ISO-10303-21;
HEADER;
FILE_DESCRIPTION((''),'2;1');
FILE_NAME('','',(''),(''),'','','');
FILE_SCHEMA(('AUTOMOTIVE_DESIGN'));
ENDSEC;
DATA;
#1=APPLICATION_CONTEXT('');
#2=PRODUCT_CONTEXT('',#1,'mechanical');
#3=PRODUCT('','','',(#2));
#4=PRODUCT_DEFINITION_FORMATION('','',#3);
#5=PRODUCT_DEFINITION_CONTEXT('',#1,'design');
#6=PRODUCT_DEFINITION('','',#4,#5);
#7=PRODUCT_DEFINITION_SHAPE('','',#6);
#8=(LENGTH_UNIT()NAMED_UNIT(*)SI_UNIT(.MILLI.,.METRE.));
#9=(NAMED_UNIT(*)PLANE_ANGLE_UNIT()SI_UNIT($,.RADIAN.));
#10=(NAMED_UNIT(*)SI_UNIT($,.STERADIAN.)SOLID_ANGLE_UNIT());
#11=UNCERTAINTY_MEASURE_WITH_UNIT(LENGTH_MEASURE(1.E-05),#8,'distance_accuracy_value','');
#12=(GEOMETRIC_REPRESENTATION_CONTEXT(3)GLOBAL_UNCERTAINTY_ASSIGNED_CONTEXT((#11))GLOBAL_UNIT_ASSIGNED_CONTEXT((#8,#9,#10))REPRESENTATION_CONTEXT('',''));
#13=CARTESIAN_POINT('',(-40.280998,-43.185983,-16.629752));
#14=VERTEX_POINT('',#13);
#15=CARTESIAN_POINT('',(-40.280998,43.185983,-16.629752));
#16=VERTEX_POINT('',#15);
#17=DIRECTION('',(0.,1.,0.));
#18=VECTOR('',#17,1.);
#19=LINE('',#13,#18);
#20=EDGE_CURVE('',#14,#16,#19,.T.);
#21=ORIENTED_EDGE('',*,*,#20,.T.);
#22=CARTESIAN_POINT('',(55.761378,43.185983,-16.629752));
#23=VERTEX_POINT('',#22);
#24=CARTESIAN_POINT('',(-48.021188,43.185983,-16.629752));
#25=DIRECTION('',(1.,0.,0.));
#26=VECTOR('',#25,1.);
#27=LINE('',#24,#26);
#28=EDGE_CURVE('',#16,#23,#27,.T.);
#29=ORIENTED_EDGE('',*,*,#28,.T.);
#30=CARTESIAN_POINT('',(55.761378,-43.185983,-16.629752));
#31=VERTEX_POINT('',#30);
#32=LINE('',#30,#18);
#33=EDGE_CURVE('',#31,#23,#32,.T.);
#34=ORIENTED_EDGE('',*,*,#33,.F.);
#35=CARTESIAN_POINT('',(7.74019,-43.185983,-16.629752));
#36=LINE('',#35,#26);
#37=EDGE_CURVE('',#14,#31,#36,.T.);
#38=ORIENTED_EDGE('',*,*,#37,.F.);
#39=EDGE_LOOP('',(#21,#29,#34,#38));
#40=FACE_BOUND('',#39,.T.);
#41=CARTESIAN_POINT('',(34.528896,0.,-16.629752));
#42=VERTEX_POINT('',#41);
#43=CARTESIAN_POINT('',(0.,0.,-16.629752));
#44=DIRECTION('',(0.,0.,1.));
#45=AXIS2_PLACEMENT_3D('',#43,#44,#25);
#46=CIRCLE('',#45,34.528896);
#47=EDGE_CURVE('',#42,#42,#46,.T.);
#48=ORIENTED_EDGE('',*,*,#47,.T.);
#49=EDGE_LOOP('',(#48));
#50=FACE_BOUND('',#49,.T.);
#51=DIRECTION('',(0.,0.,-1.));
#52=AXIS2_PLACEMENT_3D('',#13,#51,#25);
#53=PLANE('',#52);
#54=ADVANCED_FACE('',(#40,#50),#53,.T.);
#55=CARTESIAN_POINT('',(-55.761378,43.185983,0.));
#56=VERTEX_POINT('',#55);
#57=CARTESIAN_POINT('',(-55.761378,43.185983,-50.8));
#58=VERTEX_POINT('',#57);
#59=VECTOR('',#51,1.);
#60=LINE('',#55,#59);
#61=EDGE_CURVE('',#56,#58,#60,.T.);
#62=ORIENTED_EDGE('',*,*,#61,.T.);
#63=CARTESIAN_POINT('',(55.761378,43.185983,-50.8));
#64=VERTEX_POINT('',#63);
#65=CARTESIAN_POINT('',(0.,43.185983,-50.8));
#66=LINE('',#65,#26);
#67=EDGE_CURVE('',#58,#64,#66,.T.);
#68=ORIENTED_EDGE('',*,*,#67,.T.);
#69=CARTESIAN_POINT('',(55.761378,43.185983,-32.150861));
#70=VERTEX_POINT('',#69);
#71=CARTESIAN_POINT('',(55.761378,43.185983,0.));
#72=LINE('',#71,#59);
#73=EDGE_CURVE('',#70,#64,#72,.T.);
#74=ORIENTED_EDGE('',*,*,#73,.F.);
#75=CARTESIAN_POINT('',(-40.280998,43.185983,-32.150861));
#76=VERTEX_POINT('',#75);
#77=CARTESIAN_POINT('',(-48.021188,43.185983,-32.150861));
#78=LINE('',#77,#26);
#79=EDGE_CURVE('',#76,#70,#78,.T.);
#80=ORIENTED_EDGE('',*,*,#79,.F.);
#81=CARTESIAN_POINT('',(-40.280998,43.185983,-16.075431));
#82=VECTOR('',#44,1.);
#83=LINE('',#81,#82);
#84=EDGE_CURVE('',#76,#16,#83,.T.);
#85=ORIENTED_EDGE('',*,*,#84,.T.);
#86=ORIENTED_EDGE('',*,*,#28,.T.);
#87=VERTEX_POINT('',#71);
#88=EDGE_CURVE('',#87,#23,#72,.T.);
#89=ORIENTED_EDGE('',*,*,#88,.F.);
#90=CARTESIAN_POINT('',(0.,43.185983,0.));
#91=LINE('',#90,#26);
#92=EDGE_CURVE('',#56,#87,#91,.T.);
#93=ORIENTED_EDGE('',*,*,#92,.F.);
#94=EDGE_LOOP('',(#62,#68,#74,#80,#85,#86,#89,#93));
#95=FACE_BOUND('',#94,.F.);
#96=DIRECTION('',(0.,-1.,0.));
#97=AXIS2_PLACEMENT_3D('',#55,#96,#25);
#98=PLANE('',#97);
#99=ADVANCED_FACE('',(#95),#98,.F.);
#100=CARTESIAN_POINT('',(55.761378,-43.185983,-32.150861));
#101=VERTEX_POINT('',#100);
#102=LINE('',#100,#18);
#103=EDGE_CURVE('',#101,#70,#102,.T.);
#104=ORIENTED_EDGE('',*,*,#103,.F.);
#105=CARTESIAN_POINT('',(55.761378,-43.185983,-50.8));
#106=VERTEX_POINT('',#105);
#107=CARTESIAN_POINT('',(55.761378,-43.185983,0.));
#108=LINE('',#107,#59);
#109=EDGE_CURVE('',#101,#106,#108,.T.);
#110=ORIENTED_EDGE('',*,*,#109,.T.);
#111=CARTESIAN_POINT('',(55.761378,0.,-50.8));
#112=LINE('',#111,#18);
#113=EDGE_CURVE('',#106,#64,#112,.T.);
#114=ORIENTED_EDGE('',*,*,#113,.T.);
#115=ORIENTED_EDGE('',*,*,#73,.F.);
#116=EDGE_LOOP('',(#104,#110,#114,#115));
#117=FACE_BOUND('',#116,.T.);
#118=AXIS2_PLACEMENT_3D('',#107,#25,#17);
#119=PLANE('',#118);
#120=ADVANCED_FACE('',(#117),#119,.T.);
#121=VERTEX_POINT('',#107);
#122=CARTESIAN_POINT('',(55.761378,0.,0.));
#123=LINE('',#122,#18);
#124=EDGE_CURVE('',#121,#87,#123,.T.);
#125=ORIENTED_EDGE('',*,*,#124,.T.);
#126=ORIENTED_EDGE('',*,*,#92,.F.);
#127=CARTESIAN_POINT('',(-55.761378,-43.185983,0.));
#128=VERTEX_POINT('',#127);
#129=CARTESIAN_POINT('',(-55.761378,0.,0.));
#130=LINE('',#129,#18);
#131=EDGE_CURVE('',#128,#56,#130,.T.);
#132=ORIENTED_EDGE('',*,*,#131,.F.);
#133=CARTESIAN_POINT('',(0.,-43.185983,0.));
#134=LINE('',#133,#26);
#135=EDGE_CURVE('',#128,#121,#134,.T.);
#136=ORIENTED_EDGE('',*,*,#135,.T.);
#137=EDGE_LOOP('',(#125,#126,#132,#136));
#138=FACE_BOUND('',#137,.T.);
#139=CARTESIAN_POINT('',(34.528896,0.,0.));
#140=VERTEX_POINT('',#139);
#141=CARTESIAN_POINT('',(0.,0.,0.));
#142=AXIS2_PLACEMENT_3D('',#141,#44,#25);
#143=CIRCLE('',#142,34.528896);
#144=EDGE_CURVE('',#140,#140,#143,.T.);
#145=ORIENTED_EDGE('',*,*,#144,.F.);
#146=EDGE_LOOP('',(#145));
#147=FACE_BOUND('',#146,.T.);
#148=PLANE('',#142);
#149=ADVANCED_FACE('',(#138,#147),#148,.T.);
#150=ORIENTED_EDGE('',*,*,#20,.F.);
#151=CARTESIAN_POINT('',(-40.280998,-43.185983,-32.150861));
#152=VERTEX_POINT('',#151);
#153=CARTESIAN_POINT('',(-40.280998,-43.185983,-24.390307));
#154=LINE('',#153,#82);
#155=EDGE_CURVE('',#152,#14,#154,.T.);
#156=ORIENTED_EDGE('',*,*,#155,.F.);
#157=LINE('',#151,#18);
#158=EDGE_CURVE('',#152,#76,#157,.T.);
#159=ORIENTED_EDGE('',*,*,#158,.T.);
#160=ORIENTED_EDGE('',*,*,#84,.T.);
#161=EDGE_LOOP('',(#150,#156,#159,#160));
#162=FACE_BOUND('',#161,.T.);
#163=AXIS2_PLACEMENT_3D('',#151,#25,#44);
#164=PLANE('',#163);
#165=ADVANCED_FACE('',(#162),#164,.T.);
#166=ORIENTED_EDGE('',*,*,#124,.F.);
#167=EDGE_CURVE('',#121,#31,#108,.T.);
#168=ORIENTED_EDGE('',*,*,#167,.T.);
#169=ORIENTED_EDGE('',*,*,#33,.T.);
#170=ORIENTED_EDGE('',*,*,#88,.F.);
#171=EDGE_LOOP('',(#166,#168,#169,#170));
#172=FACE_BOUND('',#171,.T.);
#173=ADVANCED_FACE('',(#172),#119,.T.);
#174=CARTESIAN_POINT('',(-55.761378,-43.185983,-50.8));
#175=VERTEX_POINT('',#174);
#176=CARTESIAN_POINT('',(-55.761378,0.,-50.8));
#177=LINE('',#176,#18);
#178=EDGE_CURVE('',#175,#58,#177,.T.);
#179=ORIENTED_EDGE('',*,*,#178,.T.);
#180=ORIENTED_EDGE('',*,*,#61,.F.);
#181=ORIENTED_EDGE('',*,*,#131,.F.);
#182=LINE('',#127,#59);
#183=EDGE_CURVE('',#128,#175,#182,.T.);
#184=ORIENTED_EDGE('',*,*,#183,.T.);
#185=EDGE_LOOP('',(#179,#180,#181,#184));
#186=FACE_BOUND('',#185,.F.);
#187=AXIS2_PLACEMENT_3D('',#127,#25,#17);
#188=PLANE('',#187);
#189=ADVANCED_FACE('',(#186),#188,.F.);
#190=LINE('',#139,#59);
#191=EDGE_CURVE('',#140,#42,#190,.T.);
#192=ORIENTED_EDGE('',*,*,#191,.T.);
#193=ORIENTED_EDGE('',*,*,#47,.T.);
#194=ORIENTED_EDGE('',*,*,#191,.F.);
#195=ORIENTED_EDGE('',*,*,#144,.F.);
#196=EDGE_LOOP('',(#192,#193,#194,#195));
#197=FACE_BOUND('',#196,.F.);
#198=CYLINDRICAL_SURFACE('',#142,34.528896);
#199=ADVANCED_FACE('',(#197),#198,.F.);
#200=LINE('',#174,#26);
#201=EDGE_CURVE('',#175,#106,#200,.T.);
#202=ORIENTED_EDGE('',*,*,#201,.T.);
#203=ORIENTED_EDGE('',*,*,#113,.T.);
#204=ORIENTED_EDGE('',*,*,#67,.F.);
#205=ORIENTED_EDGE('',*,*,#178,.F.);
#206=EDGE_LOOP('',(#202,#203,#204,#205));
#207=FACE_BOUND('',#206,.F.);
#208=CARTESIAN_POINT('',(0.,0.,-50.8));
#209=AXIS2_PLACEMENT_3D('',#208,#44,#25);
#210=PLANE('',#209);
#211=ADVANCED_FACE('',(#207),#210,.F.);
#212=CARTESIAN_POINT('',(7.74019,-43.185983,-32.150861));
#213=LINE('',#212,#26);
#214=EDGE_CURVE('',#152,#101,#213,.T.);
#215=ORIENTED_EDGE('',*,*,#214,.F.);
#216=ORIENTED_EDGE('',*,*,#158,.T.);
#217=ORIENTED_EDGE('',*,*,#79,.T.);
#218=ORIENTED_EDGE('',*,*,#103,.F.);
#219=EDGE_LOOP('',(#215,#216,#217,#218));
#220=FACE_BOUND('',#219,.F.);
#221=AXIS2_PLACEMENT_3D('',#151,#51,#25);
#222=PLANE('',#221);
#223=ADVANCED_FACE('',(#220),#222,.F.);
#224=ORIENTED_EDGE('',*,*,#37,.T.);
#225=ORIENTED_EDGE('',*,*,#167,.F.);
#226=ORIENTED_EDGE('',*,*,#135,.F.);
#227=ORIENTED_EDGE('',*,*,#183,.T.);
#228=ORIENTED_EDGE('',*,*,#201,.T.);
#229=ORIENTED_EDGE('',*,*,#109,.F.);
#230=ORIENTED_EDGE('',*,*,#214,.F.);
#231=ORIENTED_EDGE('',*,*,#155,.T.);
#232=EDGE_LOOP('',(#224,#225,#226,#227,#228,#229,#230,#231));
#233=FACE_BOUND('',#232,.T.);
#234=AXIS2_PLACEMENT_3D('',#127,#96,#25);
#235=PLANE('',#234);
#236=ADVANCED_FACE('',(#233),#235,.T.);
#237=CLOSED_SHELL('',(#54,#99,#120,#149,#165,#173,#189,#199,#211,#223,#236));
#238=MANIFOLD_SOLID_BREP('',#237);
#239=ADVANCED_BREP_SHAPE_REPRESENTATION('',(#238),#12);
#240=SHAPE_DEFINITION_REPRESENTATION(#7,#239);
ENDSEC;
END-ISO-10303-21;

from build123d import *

# Parameters (mm, degrees)
F0_W     = 111.522756
F0_H     = 86.371966
F1_DEPTH = 50.8
F2_W     = 80.143302
F2_H     = 39.228082
F3_DEPTH = 36.405057
F4_W     = 96.042376
F4_H     = 15.521109
F5_DEPTH = 86.372966
F6_R     = 34.528896
F7_DEPTH = 25.4


with BuildPart() as f1:
    # F0 (on Top) → F1 (new body)
    with BuildSketch(Plane.XY):
        Rectangle(F0_W, F0_H)
    extrude(amount=-F1_DEPTH)

    # F2 (on face) → F3 (join)
    with BuildSketch(Plane.XZ.offset(43.185983)):
        with Locations((0, -31.185959)):
            Rectangle(F2_W, F2_H)
    extrude(amount=-F3_DEPTH)

    # F4 (on face) → F5 (cut, through all)
    with BuildSketch(Plane.XZ.offset(43.185983)):
        with Locations((7.74019, -24.390307)):
            Rectangle(F4_W, F4_H)
    extrude(amount=-F5_DEPTH, mode=Mode.SUBTRACT)

    # F6 (on face) → F7 (cut)
    with BuildSketch(Plane.XY):
        Circle(F6_R)
    extrude(amount=-F7_DEPTH, mode=Mode.SUBTRACT)


solid = f1.part
